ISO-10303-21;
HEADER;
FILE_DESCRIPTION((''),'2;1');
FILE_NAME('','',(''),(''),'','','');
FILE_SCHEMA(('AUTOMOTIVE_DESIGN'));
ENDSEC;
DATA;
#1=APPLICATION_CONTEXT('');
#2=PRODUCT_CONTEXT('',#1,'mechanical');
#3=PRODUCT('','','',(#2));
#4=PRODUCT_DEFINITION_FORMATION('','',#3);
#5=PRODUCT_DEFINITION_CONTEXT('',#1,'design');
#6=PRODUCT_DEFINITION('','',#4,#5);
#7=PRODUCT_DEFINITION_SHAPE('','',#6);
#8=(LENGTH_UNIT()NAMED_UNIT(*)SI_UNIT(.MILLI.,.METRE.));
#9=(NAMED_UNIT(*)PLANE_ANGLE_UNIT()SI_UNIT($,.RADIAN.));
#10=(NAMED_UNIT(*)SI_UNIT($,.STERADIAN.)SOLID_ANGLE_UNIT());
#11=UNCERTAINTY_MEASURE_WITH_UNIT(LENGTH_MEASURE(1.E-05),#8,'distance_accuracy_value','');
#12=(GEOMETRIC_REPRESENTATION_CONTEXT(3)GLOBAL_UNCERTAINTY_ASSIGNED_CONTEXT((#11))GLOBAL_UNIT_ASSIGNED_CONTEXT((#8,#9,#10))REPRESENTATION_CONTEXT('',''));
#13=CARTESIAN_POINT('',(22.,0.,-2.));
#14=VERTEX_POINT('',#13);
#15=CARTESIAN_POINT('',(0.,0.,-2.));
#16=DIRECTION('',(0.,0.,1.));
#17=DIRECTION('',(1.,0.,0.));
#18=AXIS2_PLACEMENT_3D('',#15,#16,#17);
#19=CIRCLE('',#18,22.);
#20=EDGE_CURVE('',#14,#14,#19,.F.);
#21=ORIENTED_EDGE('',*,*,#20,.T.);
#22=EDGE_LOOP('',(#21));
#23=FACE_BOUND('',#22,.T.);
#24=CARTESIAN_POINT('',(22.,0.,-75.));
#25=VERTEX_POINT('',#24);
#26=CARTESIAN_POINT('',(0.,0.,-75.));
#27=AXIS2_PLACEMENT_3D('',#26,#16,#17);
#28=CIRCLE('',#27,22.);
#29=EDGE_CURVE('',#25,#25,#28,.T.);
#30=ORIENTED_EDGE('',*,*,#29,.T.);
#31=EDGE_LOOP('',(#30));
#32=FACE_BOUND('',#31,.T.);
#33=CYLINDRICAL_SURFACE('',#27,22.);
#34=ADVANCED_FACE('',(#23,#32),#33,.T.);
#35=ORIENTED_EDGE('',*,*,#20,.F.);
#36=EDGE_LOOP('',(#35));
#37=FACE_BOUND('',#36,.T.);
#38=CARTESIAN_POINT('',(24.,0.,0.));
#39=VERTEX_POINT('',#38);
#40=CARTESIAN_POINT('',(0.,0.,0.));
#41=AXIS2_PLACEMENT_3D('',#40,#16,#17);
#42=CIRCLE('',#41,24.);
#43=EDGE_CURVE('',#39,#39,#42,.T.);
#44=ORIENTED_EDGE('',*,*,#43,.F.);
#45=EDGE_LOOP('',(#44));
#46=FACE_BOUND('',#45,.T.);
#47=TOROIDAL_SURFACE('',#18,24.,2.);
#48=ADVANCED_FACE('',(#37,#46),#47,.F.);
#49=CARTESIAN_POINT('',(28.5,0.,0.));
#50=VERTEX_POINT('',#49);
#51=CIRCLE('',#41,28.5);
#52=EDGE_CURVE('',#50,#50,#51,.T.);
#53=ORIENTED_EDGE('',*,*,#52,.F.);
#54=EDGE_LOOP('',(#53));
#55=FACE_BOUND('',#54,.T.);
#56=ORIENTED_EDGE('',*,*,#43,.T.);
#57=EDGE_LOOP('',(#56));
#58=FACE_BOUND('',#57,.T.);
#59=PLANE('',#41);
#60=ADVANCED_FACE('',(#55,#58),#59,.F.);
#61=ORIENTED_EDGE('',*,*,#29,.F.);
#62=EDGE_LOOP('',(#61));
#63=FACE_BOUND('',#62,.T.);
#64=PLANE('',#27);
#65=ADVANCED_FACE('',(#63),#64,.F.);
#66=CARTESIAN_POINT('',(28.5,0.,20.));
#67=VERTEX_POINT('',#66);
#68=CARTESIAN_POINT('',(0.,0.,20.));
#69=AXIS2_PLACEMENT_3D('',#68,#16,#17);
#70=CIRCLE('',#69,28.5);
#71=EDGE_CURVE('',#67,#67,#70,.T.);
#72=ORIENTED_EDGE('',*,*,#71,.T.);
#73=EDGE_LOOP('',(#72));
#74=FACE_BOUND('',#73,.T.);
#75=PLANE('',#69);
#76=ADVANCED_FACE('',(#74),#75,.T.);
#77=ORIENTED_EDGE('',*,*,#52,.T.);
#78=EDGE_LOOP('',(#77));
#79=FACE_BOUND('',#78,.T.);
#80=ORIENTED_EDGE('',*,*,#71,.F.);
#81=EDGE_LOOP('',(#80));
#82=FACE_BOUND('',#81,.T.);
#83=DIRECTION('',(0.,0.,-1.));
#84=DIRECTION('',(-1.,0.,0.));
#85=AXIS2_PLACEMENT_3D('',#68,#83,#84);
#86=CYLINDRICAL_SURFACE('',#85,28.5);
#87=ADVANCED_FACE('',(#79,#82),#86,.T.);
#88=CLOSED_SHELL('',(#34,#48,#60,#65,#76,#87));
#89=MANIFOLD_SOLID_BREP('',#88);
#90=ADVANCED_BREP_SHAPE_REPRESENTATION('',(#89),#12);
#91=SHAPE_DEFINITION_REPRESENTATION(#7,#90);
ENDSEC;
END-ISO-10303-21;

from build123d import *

# Parameters (mm, degrees)
SKETCH1_R           = 22
BOSS_EXTRUDE1_DEPTH = 75
SKETCH2_R           = 28.5
BOSS_EXTRUDE2_DEPTH = 20
FILLET1_R           = 2


with BuildPart() as part:
    # Sketch1 → Boss-Extrude1 (new body)
    with BuildSketch(Plane.XY):
        Circle(SKETCH1_R)
    extrude(amount=-BOSS_EXTRUDE1_DEPTH)

    # Sketch2 → Boss-Extrude2 (add)
    with BuildSketch(Plane.XY):
        Circle(SKETCH2_R)
    extrude(amount=BOSS_EXTRUDE2_DEPTH)

    # Fillet1
    fillet1_edges = [part.edges().sort_by_distance(p)[0] for p in [
        (-22, 0, 0),
    ]]
    fillet(fillet1_edges, radius=FILLET1_R)


solid = part.part
